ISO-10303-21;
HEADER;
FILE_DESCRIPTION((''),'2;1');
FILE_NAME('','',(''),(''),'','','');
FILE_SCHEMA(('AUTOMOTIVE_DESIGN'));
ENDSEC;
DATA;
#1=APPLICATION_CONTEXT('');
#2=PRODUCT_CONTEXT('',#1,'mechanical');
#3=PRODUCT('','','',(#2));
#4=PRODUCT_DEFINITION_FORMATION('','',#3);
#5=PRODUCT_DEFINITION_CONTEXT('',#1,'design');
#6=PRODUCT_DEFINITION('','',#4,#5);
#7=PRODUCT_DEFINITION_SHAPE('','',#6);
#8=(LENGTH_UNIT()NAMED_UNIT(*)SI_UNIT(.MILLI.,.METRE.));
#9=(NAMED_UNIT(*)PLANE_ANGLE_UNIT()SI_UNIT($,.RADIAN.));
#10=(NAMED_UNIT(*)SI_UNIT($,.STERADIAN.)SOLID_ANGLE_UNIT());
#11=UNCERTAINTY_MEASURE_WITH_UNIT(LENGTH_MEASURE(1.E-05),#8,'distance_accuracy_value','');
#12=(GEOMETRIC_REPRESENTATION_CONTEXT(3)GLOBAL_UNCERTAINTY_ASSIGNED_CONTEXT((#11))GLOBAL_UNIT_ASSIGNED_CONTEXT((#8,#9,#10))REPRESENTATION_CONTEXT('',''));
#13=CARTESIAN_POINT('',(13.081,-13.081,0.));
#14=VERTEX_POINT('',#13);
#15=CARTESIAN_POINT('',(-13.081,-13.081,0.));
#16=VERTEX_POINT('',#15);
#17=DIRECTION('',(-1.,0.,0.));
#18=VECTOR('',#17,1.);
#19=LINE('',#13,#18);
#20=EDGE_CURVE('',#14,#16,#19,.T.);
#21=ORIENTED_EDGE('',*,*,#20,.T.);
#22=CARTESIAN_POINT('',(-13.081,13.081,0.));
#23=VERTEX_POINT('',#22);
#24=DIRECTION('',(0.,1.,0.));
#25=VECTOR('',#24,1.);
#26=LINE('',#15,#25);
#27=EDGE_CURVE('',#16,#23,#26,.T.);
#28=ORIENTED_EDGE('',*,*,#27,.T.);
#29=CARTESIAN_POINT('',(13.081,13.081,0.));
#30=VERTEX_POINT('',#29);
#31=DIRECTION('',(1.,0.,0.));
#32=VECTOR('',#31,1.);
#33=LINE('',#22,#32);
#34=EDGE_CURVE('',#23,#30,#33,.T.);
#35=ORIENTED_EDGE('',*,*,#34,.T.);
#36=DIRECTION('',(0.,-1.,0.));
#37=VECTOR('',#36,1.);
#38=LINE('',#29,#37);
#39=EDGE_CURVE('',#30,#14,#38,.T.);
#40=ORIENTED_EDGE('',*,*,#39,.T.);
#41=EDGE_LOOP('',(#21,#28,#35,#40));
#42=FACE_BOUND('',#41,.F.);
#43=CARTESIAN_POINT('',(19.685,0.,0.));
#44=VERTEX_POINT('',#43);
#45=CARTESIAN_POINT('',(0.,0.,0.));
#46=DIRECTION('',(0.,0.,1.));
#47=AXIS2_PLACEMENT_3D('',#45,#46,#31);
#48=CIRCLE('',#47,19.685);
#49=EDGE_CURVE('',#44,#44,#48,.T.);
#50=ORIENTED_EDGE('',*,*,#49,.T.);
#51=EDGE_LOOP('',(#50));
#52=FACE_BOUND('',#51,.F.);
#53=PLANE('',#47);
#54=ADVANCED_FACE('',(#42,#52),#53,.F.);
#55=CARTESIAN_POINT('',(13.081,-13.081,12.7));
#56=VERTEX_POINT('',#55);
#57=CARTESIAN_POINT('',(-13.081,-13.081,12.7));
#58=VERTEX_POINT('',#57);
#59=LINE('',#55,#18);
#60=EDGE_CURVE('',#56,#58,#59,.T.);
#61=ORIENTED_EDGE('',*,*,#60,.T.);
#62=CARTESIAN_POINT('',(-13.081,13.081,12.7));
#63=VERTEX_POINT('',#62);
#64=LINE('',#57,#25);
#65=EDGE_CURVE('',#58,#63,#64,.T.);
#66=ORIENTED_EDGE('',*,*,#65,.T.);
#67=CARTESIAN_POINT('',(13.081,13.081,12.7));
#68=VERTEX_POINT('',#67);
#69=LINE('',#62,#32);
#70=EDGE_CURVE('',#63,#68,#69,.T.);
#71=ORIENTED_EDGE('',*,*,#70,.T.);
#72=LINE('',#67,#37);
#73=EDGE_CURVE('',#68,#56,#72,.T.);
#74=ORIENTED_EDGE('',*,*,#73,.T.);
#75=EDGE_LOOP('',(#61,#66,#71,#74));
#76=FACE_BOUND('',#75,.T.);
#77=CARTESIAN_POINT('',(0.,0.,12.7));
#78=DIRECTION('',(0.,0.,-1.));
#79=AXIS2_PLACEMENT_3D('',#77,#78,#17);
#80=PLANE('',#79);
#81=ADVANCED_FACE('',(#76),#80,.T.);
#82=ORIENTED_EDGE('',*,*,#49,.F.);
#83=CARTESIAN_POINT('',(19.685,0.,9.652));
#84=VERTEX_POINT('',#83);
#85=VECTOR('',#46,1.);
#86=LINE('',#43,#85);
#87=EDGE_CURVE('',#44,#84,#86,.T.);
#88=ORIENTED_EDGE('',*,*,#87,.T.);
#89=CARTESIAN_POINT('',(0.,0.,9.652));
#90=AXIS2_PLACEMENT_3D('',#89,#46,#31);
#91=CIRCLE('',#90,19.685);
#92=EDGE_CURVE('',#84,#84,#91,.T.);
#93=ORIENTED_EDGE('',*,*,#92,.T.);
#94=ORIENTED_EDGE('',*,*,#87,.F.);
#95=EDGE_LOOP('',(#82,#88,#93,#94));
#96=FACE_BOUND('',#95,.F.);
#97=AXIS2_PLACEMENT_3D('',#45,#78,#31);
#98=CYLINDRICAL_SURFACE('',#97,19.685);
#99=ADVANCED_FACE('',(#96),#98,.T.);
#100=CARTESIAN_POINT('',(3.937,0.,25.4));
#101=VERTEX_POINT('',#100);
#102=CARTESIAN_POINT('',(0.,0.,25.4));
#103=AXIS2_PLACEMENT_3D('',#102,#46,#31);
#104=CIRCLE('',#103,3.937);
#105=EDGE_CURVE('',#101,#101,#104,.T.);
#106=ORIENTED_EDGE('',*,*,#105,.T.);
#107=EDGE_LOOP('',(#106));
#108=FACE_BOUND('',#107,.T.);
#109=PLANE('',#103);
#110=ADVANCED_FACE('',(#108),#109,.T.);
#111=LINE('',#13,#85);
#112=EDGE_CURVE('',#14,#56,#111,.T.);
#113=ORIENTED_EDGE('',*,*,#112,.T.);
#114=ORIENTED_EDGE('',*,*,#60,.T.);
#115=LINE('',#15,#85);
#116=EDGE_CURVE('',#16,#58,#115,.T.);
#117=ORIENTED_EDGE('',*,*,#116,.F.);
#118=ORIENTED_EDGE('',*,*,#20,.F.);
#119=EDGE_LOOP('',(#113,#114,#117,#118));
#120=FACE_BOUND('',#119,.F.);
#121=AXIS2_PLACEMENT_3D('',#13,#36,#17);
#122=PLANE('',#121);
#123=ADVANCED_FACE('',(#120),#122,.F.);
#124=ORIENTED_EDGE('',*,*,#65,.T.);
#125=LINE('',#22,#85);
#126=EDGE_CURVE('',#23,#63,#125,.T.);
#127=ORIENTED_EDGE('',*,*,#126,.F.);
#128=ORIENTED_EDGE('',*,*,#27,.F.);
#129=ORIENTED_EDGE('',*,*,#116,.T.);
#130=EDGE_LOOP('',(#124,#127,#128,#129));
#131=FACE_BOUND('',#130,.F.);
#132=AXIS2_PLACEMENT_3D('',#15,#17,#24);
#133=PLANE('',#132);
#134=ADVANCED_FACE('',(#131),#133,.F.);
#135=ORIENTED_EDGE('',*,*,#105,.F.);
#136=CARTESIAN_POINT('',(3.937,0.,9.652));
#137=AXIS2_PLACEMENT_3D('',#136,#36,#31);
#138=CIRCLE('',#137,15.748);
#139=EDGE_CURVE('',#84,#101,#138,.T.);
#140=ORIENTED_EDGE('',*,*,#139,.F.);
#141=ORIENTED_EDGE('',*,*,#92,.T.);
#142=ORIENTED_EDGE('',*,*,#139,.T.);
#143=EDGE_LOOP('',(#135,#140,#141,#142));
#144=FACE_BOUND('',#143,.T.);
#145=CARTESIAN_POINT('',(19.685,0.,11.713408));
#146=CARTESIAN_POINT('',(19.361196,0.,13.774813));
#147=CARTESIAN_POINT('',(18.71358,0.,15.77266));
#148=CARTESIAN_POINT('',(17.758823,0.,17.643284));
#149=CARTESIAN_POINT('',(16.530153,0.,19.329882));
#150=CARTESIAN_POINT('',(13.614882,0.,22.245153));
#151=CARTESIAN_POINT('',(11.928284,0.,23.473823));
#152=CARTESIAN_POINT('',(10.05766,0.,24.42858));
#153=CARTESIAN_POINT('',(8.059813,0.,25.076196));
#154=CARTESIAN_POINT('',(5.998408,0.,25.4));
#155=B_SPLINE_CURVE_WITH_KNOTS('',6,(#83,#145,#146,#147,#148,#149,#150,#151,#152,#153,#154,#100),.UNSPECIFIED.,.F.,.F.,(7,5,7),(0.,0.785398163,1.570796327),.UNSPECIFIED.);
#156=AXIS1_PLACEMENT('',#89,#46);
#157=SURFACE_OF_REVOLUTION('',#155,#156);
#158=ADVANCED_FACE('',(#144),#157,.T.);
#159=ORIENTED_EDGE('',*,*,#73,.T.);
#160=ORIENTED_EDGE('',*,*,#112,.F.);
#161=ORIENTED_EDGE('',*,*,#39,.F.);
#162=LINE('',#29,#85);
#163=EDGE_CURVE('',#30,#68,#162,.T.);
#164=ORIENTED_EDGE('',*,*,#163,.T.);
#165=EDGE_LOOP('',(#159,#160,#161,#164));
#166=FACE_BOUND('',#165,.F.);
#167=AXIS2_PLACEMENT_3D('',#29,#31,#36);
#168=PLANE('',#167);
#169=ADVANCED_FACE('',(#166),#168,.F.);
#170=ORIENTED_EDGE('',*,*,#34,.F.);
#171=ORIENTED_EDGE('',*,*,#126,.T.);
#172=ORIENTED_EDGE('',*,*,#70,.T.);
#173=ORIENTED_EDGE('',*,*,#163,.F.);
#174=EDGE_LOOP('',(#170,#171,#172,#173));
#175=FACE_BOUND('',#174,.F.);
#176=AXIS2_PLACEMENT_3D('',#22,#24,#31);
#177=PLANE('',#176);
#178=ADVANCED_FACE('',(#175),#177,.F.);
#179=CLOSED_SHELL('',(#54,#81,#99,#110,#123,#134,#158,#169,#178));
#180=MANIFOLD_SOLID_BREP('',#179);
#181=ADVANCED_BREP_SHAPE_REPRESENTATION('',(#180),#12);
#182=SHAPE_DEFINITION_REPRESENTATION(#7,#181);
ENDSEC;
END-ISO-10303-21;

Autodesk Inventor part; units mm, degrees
ref_plane "YZ Plane" through (0, 0, 0) normal (1, 0, 0) x (0, 1, 0)
ref_plane "XZ Plane" through (0, 0, 0) normal (0, 1, 0) x (-1, 0, 0)
ref_plane "XY Plane" through (0, 0, 0) normal (0, 0, 1) x (1, 0, 0)
sketch "Sketch1" plane through (0, 0, 0) normal (0, 0, 1) x (1, 0, 0)
  circle A0 centre (0, 0) radius 19.685
  dimension "d0" = 39.37
extrude "Extrusion1" add sketch "Sketch1" along normal blind 25.4
fillet "Fillet1" radius 15.748 1 edges at (-19.685, 0, 25.4)
sketch "Sketch2" plane through (0, 0, 0) normal (0, 0, -1) x (-1, 0, 0)
  line L0 (-13.081, -13.081) -> (13.081, -13.081)
  line L1 (13.081, -13.081) -> (13.081, 13.081)
  line L2 (13.081, 13.081) -> (-13.081, 13.081)
  line L3 (-13.081, 13.081) -> (-13.081, -13.081)
  point P0 (0, 0)
  dimension "d4" = 26.162
  dimension "d5" = 26.162
  dimension "d6" = 13.081
  dimension "d8" = 13.081
extrude "Extrusion2" cut sketch "Sketch2" against normal blind 12.7
properties part number "SharpCap"
